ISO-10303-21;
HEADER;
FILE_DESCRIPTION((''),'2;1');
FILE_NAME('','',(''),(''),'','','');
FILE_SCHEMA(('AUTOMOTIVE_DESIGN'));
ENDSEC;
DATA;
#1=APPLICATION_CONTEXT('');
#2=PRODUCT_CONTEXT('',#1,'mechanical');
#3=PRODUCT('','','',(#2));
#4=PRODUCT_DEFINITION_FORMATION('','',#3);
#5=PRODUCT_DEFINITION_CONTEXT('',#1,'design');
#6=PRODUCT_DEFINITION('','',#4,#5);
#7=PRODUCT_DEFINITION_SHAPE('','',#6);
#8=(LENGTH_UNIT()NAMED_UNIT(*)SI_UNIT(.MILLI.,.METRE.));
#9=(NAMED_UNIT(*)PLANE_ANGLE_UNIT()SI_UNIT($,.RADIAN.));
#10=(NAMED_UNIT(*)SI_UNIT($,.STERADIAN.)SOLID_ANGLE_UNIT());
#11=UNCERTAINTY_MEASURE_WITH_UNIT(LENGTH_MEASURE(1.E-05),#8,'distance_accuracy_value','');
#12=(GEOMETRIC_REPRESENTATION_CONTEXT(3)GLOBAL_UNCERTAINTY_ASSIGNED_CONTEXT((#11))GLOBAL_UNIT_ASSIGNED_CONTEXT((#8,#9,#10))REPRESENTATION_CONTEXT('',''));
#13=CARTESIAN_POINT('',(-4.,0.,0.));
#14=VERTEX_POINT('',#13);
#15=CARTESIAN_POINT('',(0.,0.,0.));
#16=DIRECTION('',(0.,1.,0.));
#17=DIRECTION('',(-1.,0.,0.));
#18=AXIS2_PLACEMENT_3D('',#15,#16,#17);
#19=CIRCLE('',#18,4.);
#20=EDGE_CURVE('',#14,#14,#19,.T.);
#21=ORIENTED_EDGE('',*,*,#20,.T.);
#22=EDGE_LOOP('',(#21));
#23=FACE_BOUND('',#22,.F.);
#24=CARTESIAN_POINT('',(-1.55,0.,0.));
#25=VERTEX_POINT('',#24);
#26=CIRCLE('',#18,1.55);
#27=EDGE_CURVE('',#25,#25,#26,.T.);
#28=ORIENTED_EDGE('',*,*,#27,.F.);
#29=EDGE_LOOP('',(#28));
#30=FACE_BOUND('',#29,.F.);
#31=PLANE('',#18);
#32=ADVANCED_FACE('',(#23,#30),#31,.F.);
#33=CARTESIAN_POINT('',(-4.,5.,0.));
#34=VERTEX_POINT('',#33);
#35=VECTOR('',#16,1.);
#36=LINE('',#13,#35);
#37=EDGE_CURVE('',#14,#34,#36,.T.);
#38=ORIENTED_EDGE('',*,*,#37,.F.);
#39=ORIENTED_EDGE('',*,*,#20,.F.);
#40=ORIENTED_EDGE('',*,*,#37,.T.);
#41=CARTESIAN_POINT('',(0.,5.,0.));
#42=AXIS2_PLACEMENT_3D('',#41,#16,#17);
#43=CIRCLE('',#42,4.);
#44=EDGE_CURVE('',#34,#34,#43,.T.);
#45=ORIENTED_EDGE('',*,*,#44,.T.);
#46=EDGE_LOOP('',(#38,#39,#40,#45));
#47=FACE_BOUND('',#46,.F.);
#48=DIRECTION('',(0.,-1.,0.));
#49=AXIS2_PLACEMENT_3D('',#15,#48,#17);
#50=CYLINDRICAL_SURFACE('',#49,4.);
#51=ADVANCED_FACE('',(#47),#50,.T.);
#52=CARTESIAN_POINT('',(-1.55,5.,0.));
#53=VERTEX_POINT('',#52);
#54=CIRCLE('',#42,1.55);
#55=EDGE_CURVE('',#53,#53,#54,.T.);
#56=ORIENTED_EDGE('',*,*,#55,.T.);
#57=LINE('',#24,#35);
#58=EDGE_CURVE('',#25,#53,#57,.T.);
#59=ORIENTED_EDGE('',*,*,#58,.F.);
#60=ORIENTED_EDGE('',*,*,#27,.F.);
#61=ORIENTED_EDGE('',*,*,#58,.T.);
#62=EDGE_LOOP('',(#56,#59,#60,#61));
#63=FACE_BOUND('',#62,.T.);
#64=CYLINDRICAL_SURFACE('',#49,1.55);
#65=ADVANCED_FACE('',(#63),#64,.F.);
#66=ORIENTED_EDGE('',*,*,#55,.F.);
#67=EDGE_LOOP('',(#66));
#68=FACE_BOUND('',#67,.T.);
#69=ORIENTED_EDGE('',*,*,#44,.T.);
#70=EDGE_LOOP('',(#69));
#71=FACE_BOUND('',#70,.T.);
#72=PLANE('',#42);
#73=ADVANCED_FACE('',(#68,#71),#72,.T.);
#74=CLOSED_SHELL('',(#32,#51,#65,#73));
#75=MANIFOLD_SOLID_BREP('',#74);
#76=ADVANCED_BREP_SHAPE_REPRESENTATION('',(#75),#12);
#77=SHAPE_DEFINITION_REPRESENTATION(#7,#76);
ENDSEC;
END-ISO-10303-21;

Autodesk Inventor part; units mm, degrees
ref_plane "YZ Plane" through (0, 0, 0) normal (1, 0, 0) x (0, 1, 0)
ref_plane "XZ Plane" through (0, 0, 0) normal (0, 1, 0) x (-1, 0, 0)
ref_plane "XY Plane" through (0, 0, 0) normal (0, 0, 1) x (1, 0, 0)
sketch "Sketch1" plane through (0, 0, 0) normal (0, 1, 0) x (-1, 0, 0)
  circle A0 centre (0, 0) radius 1.55
  circle A1 centre (0, 0) radius 4
  dimension "d0" = 3.1
  dimension "d1" = 8
extrude "Extrusion1" add sketch "Sketch1" along normal blind 5
properties part number "Horizontal_bar_spacer"
